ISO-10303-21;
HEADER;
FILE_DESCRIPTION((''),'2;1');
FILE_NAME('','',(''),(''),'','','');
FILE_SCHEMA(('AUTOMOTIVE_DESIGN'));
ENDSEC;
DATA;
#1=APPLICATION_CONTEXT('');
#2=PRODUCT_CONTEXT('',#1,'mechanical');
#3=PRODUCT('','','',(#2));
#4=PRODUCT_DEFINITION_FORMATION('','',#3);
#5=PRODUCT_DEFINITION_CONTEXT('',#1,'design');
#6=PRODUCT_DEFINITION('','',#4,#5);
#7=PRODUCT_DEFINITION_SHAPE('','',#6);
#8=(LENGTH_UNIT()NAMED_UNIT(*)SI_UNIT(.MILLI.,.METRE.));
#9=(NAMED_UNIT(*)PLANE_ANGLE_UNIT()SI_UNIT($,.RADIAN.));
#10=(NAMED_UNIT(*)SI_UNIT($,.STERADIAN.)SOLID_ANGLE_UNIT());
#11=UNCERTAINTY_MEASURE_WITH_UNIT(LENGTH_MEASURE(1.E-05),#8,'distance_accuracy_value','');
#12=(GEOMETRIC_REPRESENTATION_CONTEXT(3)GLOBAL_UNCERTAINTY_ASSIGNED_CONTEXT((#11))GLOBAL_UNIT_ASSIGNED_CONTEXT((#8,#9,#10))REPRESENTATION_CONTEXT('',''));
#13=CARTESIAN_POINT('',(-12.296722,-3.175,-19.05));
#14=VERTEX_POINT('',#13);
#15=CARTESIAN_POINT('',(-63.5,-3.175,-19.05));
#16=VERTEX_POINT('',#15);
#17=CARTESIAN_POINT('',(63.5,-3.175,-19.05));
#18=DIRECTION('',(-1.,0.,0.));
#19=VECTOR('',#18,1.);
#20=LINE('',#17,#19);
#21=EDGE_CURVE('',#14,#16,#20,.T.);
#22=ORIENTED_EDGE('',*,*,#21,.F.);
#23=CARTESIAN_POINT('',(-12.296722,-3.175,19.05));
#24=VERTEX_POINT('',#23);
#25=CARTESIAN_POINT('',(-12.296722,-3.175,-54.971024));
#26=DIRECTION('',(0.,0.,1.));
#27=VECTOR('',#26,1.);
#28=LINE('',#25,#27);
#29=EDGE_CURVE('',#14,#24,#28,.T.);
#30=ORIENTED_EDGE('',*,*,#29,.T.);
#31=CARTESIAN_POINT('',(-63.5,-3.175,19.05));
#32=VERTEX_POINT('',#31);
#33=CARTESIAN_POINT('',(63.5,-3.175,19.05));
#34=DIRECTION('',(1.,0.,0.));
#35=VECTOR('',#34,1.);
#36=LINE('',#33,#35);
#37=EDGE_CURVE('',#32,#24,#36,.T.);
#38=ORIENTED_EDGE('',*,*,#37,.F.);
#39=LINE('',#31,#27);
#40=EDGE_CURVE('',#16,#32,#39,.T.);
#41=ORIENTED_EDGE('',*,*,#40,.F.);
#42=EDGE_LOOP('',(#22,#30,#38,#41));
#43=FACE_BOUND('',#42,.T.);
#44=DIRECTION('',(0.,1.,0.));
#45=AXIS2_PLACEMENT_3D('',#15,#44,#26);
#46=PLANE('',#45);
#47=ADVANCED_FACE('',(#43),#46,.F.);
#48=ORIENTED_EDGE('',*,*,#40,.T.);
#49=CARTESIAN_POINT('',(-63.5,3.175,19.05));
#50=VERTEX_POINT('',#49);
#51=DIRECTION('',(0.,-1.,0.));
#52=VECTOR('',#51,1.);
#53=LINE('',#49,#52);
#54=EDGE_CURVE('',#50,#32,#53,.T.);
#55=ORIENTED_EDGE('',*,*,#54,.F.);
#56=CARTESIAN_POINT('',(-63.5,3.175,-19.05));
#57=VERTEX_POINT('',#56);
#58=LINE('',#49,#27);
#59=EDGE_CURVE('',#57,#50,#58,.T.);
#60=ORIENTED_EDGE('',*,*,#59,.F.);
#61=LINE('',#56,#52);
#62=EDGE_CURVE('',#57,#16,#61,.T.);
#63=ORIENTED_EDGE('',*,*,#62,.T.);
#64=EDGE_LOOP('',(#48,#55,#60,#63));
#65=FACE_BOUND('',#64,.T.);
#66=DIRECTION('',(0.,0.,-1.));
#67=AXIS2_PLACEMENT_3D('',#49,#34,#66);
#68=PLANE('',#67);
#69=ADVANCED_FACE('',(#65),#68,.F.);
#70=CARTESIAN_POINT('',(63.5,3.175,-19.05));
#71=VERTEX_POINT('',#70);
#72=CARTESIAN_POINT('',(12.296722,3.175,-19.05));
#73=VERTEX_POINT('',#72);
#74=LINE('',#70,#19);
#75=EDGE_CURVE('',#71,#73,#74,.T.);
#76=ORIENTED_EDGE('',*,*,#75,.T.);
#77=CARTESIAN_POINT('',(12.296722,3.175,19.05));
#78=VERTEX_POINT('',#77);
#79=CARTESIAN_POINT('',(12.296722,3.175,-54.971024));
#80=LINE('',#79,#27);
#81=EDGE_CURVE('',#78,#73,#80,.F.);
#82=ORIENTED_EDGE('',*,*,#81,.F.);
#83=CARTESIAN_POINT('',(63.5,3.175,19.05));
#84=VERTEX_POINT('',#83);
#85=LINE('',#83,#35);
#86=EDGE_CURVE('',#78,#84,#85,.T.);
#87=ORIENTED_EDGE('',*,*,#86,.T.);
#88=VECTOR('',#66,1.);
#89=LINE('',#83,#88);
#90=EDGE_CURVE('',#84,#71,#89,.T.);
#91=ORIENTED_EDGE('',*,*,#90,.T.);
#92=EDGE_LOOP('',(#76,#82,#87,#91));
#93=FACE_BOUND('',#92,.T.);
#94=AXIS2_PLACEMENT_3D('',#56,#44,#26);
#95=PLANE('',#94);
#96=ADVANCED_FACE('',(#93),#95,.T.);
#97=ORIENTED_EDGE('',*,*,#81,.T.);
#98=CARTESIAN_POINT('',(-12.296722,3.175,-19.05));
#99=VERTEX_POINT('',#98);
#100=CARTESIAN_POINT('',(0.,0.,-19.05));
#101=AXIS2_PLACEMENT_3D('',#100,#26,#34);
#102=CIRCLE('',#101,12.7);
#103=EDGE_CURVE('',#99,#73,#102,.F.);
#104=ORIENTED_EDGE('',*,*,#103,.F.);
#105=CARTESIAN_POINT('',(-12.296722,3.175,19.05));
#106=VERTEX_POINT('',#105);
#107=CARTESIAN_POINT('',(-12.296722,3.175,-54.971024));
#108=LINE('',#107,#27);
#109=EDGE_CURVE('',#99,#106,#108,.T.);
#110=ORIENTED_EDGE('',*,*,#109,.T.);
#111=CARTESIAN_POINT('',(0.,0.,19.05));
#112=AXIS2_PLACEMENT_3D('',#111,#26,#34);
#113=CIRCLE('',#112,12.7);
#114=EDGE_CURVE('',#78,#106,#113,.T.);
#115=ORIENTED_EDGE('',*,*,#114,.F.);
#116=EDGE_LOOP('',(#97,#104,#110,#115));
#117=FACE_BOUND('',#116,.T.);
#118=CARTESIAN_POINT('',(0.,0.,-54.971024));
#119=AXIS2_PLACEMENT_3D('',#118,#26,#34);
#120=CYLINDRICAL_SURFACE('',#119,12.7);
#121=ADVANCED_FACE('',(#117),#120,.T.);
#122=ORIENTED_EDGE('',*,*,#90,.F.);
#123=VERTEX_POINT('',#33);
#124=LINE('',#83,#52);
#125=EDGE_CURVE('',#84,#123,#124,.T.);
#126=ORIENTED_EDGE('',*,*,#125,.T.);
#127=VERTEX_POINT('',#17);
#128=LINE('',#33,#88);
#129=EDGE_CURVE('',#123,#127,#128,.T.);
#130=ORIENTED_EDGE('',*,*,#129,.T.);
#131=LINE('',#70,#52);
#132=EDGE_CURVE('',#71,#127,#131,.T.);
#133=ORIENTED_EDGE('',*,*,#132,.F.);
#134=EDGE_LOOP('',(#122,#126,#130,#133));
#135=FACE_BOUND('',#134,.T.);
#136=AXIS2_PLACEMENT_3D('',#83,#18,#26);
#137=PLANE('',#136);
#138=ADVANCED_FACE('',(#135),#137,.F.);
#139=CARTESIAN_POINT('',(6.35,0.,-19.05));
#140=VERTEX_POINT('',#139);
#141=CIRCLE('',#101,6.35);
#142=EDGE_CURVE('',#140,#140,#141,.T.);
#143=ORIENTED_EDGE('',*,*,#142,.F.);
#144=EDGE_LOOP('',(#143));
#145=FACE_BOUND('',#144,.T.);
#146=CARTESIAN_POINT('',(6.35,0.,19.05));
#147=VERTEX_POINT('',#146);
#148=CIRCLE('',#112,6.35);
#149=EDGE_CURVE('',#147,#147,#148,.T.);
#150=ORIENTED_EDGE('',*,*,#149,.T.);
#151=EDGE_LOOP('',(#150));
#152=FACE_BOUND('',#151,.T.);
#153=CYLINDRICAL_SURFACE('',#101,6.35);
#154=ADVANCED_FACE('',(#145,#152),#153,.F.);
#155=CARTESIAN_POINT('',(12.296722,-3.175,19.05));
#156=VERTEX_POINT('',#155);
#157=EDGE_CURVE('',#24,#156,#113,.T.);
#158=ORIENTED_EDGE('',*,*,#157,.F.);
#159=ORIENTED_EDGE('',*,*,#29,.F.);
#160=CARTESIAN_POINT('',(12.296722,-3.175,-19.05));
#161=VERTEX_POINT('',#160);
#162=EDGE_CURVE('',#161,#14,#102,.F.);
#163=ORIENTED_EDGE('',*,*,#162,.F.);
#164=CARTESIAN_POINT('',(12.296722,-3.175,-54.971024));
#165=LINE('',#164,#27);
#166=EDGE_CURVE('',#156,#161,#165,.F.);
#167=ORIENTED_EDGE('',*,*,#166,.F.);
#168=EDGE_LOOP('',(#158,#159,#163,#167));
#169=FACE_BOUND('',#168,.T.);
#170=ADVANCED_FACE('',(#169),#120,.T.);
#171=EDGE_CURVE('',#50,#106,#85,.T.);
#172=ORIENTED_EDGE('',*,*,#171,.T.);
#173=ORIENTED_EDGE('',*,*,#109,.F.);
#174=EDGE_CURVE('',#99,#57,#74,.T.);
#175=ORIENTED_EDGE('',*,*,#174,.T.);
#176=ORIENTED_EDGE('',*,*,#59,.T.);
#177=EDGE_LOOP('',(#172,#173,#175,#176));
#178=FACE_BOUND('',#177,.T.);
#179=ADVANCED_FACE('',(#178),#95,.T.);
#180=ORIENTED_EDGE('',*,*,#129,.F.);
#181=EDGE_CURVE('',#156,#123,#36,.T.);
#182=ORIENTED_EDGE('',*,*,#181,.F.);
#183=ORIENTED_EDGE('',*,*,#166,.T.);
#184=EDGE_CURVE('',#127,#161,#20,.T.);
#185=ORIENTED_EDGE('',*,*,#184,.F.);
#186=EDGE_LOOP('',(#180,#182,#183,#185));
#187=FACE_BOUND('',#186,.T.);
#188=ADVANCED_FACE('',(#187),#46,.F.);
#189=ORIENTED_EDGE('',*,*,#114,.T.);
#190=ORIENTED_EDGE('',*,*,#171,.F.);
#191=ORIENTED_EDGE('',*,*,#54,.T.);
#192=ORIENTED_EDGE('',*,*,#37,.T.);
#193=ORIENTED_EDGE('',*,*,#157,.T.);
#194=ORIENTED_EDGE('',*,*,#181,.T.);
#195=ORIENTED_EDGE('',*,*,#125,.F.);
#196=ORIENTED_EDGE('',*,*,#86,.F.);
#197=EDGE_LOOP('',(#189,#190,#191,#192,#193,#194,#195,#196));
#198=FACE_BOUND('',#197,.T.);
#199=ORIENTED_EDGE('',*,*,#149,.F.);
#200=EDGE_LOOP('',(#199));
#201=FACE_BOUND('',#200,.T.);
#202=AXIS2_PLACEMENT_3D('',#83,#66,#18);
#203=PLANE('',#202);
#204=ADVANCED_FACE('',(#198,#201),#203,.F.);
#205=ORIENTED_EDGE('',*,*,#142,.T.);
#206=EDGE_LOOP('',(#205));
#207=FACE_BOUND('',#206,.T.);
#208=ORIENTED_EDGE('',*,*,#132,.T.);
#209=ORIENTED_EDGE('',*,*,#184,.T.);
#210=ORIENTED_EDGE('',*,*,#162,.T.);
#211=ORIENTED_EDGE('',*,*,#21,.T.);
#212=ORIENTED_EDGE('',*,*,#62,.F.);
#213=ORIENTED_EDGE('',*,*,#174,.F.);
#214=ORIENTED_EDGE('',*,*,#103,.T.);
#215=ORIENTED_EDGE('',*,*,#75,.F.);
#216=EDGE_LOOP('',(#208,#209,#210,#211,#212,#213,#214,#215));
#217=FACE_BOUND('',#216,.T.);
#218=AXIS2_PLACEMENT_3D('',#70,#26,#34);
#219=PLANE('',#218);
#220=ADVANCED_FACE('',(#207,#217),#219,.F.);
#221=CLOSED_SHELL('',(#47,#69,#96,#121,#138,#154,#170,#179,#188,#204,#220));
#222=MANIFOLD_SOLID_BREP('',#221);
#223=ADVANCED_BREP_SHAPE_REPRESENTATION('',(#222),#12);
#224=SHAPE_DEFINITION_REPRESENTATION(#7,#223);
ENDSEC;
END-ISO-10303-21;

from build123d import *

# Parameters (mm, degrees)
SKETCH1_W           = 127
SKETCH1_H           = 38.1
BOSS_EXTRUDE1_DEPTH = 3.175
SKETCH3_R           = 12.7
BOSS_EXTRUDE2_DEPTH = 38.1
SKETCH4_R           = 6.35
CUT_EXTRUDE1_DEPTH  = 76.134213245


with BuildPart() as part:
    # Sketch1 → Boss-Extrude1 (new, symmetric)
    with BuildSketch(Plane(origin=(0, 0, 0), x_dir=(1, 0, 0), z_dir=(0, 1, 0))):
        Rectangle(SKETCH1_W, SKETCH1_H)
    extrude(amount=BOSS_EXTRUDE1_DEPTH, both=True)

    # Sketch3 → Boss-Extrude2 (add)
    with BuildSketch(Plane.XY.offset(19.05)):
        Circle(SKETCH3_R)
    extrude(amount=-BOSS_EXTRUDE2_DEPTH)

    # Sketch4 → Cut-Extrude1 (cut, through all)
    with BuildSketch(Plane.XY.offset(19.05)):
        Circle(SKETCH4_R)
    extrude(amount=-CUT_EXTRUDE1_DEPTH, mode=Mode.SUBTRACT)


solid = part.part
